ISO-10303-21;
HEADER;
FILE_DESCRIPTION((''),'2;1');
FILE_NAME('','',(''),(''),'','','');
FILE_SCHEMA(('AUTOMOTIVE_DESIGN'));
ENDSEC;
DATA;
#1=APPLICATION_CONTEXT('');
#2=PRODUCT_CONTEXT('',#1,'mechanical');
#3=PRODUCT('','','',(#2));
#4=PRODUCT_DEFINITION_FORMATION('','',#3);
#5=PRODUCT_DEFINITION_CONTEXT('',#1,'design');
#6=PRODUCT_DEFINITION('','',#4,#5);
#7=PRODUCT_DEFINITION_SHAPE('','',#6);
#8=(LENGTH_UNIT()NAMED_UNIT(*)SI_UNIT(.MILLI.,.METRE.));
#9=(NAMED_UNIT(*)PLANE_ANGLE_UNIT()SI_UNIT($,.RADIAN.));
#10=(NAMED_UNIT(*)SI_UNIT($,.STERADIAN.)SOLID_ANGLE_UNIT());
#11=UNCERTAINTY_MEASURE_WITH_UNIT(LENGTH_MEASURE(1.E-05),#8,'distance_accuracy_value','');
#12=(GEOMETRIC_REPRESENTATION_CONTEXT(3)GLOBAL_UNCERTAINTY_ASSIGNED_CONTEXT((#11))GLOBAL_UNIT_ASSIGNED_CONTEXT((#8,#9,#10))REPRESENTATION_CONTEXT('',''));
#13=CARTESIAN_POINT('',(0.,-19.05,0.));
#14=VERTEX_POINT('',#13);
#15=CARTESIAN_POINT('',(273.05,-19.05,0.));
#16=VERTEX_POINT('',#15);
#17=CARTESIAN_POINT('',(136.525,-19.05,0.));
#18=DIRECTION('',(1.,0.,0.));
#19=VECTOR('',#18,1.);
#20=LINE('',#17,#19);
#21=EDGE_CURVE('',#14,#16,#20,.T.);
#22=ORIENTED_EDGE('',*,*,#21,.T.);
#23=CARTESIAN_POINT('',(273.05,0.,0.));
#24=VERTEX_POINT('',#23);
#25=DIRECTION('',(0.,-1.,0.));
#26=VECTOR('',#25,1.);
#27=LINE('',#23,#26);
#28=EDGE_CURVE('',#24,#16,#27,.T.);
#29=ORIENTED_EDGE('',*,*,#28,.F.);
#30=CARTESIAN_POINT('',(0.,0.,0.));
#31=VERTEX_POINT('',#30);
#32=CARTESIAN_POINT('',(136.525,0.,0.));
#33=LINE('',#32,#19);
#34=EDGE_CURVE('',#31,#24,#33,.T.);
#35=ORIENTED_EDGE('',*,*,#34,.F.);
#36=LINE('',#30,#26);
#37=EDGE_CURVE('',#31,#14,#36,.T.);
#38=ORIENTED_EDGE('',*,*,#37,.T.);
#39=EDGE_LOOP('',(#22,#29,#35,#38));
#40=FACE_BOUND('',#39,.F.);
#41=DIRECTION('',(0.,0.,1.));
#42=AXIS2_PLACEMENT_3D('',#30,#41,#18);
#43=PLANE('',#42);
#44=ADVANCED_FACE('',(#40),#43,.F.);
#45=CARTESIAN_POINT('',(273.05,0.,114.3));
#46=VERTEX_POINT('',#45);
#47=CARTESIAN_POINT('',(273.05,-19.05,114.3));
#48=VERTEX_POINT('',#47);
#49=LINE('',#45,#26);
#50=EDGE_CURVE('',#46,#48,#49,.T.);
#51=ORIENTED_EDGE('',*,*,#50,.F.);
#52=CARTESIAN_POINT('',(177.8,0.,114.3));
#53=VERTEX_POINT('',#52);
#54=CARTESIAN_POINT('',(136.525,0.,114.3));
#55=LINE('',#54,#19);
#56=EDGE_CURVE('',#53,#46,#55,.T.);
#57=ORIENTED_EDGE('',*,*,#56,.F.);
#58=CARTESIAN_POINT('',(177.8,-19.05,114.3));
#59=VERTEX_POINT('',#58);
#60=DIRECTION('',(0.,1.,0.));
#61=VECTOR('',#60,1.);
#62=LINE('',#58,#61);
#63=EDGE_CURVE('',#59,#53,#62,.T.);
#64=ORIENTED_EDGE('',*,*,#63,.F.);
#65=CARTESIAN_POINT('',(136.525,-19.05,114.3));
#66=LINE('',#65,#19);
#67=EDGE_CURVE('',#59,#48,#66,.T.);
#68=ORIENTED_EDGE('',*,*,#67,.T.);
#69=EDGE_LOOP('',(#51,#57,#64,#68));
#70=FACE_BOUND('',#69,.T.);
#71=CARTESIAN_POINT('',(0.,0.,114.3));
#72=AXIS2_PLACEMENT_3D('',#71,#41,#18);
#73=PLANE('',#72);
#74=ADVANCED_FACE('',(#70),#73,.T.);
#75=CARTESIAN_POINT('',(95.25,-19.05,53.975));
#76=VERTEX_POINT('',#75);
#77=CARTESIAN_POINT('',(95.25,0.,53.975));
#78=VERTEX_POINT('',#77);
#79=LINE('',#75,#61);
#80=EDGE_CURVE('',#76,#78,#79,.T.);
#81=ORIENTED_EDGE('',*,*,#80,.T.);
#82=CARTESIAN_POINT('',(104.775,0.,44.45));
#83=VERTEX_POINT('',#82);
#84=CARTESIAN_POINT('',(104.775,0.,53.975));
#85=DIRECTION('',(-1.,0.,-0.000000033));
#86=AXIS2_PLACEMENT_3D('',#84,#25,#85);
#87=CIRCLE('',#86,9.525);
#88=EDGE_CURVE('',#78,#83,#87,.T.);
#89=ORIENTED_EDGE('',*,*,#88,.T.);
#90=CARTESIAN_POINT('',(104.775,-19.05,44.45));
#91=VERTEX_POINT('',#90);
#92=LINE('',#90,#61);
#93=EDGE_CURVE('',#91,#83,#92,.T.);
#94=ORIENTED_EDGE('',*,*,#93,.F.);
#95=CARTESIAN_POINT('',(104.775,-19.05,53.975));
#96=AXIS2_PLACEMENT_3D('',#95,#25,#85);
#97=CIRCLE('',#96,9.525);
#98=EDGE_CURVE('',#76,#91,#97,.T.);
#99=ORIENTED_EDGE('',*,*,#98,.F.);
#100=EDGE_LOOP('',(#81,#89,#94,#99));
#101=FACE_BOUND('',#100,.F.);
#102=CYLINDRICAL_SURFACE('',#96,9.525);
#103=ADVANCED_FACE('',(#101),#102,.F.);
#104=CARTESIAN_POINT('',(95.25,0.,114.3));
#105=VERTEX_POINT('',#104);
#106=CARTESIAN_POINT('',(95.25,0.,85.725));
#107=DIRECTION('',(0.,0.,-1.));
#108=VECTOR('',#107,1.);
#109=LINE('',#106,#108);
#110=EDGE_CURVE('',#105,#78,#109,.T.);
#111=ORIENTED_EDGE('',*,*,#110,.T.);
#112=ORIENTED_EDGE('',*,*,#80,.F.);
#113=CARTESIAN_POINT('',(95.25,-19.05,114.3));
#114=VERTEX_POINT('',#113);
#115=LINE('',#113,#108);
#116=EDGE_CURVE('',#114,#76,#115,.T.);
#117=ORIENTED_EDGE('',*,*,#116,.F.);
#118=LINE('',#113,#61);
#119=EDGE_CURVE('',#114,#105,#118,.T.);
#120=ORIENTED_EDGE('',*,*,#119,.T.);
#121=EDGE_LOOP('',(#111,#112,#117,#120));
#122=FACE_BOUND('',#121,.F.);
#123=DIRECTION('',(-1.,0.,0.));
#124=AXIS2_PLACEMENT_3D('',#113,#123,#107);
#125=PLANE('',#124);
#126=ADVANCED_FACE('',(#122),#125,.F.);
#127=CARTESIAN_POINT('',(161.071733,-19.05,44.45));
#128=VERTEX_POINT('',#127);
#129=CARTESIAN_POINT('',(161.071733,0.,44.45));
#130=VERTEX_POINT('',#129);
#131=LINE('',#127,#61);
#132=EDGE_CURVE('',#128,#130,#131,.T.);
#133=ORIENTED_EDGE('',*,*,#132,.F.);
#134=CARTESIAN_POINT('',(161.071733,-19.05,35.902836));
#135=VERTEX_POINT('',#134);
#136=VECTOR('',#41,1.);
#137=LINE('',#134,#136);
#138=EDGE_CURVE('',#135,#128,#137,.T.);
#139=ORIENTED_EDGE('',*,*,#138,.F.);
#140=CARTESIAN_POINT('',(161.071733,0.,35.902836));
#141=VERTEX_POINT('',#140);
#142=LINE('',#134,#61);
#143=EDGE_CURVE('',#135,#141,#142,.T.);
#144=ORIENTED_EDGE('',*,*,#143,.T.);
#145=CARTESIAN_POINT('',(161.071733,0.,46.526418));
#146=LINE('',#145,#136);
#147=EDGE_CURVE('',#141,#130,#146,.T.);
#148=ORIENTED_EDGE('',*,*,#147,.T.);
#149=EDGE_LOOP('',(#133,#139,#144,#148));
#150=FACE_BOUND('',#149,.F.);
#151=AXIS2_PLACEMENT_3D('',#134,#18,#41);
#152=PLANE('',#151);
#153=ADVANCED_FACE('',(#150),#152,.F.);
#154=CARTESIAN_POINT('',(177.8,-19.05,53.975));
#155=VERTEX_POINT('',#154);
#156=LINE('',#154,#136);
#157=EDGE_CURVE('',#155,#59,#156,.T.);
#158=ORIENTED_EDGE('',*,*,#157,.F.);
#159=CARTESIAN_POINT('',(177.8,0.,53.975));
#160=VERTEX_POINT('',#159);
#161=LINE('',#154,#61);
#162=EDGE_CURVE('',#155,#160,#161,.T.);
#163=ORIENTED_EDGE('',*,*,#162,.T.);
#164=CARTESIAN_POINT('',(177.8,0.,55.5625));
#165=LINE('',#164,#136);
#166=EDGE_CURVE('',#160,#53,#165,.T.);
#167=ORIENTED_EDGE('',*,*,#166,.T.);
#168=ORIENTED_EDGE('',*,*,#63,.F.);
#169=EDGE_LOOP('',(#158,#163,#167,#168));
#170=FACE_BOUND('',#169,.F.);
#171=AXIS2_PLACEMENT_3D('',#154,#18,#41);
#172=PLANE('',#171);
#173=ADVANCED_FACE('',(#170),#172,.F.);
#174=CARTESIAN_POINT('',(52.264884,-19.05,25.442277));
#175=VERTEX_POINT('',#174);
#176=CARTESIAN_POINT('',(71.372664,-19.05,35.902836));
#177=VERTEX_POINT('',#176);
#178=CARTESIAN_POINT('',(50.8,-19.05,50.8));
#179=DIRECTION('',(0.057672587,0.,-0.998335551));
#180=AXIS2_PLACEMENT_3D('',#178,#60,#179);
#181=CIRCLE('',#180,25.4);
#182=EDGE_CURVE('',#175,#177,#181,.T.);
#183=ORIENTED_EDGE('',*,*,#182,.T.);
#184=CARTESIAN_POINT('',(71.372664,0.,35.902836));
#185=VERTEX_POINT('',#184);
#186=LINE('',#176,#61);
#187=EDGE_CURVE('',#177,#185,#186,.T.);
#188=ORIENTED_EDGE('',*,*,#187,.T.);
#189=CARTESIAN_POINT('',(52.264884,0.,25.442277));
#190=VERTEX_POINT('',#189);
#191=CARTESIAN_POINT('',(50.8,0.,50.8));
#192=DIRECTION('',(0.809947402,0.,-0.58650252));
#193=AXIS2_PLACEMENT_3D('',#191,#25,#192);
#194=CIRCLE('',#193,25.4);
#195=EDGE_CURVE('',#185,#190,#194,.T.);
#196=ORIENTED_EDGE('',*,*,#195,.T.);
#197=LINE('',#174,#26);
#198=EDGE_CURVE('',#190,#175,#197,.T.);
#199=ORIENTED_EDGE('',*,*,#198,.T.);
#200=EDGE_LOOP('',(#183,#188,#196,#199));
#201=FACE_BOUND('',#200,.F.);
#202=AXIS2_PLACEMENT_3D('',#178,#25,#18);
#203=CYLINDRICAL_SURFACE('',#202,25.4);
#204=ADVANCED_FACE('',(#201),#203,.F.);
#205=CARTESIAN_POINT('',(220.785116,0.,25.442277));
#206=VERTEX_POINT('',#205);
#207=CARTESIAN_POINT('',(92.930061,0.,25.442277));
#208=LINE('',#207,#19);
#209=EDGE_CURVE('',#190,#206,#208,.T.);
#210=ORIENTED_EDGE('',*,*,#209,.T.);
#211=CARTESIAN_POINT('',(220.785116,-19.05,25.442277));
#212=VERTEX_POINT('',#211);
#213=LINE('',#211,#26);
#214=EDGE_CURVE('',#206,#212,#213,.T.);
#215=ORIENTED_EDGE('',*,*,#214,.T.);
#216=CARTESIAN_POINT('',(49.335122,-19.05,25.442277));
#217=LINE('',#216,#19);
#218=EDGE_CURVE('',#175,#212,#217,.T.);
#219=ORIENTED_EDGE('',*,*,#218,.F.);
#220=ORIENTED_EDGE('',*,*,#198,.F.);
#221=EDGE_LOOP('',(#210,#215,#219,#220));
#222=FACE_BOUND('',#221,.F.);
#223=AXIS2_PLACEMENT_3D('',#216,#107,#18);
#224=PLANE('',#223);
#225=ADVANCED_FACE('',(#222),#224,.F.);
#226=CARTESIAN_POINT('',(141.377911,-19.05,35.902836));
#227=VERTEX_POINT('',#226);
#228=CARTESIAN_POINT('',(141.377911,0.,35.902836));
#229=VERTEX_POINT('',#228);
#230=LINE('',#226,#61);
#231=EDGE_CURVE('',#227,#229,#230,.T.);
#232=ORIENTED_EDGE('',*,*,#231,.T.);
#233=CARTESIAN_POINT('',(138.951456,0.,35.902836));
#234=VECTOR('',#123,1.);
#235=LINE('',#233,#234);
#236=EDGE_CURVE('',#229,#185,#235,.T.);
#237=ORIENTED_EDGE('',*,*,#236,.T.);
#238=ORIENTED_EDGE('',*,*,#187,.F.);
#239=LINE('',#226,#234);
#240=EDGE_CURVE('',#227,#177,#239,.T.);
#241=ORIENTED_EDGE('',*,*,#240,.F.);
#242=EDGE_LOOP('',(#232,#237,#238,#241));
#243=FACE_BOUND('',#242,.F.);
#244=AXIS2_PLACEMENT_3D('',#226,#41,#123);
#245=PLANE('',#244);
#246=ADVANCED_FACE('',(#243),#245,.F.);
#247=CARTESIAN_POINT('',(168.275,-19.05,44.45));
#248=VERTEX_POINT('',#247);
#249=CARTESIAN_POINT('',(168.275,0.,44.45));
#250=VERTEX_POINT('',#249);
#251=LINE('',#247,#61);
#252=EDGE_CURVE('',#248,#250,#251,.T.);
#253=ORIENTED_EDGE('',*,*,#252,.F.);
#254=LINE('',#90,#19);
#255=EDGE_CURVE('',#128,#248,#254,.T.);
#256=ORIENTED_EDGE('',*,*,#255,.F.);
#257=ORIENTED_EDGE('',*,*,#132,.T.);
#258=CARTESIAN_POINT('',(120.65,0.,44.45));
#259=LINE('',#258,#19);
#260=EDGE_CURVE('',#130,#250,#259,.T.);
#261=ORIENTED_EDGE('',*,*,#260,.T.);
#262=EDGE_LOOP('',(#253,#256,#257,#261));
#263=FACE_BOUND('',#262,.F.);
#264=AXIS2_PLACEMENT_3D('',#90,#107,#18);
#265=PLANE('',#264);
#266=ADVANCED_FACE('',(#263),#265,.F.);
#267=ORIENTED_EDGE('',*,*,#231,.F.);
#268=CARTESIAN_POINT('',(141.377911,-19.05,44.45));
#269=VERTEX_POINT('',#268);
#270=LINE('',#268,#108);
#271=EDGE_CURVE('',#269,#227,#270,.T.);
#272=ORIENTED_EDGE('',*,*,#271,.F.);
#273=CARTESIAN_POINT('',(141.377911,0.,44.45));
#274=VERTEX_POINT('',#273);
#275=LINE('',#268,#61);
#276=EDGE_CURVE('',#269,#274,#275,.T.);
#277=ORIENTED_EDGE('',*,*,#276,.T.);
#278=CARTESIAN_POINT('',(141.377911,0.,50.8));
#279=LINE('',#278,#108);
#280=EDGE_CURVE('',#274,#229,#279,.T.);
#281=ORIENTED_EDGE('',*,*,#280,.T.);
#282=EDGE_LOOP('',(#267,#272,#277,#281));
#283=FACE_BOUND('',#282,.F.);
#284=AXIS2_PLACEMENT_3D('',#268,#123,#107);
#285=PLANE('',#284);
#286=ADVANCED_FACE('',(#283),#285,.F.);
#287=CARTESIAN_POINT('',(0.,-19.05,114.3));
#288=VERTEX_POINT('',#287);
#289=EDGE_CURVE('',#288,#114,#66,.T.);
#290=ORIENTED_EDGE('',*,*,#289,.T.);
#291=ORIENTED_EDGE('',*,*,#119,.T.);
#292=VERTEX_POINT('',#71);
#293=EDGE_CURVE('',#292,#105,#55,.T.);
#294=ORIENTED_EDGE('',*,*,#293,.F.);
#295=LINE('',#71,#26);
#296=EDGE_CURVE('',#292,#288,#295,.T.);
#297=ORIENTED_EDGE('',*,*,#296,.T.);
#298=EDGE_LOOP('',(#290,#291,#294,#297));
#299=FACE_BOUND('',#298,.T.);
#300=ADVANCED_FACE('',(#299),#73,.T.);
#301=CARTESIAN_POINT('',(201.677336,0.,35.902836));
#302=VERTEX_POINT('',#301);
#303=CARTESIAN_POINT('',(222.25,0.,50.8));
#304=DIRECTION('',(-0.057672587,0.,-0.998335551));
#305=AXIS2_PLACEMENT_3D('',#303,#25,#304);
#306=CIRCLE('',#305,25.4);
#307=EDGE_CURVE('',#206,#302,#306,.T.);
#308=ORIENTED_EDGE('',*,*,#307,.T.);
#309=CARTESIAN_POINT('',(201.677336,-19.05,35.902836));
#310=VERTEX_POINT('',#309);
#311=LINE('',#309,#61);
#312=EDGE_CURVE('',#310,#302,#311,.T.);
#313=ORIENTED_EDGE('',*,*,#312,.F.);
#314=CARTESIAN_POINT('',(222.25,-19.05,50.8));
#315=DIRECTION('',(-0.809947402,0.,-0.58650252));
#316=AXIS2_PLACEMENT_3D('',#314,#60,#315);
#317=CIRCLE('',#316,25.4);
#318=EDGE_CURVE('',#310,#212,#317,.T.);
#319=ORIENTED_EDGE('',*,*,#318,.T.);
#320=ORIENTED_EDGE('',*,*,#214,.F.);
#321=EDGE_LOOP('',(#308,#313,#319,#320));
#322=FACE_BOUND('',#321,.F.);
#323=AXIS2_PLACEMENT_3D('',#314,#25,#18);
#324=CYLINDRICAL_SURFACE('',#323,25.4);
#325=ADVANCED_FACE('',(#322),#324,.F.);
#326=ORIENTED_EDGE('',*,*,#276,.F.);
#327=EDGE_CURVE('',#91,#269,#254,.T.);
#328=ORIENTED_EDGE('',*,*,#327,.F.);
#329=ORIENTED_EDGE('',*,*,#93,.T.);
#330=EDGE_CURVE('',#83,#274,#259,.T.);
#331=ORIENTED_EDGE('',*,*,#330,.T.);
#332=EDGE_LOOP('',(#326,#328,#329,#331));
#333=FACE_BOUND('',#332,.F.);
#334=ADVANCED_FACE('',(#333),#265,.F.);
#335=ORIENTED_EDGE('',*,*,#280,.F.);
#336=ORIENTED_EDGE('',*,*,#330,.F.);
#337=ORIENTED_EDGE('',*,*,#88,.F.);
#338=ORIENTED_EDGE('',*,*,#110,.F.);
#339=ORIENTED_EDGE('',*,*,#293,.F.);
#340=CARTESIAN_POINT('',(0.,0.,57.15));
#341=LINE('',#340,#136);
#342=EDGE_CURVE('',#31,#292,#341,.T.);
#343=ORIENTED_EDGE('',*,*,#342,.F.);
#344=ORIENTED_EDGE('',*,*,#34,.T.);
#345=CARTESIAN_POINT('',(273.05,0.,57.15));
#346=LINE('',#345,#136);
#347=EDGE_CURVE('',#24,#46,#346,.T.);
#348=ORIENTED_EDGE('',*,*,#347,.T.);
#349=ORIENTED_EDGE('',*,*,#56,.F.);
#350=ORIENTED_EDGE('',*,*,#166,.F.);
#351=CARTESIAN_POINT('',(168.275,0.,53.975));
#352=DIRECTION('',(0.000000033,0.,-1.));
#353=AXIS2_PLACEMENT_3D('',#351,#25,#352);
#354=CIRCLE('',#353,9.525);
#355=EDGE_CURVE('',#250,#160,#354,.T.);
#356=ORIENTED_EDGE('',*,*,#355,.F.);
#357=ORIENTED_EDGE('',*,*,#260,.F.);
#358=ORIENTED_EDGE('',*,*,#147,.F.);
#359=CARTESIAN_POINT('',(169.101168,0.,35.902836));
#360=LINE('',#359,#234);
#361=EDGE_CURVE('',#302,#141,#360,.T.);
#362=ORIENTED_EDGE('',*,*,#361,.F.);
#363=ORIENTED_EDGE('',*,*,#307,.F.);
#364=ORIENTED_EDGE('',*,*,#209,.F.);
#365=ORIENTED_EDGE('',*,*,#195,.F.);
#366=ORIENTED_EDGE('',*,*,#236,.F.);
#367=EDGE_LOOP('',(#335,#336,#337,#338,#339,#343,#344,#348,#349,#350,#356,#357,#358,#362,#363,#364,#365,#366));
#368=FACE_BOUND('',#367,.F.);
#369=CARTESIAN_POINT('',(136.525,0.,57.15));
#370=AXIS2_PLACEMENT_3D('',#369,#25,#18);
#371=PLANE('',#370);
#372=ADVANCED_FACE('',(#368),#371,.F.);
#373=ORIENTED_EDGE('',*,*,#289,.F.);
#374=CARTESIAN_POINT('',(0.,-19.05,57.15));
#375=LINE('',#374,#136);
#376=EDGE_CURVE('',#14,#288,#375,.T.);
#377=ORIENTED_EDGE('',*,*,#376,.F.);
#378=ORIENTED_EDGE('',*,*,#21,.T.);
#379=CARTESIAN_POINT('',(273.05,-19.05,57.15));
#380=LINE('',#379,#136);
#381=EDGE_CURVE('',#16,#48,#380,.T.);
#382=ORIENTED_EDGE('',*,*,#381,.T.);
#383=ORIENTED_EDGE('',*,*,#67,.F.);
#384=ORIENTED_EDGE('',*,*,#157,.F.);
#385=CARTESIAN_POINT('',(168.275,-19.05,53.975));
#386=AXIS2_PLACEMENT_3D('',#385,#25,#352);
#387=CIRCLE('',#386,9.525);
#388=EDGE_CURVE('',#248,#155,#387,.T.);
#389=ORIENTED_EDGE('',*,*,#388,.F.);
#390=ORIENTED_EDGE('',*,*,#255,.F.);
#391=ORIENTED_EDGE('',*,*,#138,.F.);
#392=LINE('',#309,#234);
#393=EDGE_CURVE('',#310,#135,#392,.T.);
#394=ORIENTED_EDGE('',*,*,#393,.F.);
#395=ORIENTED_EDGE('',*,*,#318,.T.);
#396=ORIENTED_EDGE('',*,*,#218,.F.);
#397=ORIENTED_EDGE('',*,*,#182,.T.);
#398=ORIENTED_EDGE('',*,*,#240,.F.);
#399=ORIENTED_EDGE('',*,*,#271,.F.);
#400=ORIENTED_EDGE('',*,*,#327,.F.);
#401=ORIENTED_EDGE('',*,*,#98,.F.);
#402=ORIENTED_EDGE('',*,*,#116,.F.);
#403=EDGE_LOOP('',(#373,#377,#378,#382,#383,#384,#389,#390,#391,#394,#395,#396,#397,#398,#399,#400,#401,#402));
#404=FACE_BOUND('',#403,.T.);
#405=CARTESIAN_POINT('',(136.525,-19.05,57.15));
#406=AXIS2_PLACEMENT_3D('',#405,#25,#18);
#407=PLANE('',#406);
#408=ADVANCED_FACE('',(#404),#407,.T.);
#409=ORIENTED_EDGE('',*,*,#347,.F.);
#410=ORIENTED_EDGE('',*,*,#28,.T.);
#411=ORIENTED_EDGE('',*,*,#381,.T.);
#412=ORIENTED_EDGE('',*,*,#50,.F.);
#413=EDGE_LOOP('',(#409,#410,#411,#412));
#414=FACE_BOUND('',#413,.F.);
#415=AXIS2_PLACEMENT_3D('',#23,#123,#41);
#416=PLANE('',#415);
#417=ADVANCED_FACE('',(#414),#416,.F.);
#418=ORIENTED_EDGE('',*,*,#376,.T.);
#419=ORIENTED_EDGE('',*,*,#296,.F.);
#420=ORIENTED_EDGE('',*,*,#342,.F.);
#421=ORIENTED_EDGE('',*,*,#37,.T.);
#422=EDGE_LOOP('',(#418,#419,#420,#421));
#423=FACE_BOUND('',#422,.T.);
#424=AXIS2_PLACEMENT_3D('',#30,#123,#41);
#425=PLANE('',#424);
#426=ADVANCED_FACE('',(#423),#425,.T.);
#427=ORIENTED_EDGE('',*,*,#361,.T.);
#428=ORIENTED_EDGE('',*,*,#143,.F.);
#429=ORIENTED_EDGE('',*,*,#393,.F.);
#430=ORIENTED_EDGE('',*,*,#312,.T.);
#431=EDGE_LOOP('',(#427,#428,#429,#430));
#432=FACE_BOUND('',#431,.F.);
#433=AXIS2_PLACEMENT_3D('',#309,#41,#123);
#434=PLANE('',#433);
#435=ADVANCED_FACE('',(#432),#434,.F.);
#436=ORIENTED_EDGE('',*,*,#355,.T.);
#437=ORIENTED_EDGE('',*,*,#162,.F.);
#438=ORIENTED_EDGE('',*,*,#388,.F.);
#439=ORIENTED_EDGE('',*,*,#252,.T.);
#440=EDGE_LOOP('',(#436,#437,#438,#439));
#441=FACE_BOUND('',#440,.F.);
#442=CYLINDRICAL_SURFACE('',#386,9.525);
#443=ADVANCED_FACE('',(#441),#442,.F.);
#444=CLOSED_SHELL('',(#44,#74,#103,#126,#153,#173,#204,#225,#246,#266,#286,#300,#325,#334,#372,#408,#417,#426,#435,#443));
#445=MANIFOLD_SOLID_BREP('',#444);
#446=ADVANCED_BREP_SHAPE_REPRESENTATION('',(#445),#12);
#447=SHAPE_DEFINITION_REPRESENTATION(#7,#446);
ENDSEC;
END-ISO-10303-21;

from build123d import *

# Parameters (mm, degrees)
F0_W     = 273.05
F0_H     = 114.3
F1_DEPTH = 19.05
F2_R     = 25.4
F3_DEPTH = 25.4
F5_DEPTH = 25.4
F7_DEPTH = 25.4


with BuildPart() as f1:
    # F0 (on Front) → F1 (new body)
    with BuildSketch(Plane.XZ):
        with Locations((136.525, 57.15)):
            Rectangle(F0_W, F0_H)
    extrude(amount=F1_DEPTH)

    # F2 (on face) → F3 (cut)
    with BuildSketch(Plane.XZ.offset(19.05)):
        with Locations((50.8, 50.8)):
            Circle(F2_R)
        with Locations((222.25, 50.8)):
            Circle(F2_R)
    extrude(amount=-F3_DEPTH, mode=Mode.SUBTRACT)

    # F4 (on face) → F5 (cut)
    with BuildSketch(Plane.XZ.offset(19.05)):
        with BuildLine():
            Line((177.8, 114.3), (95.25, 114.3))
            Line((95.25, 114.3), (95.25, 53.975))
            ThreePointArc((95.25, 53.975), (98.039808, 47.239808), (104.775, 44.45))
            Line((104.775, 44.45), (168.275, 44.45))
            ThreePointArc((168.275, 44.45), (175.010192, 47.239808), (177.8, 53.975))
            Line((177.8, 53.975), (177.8, 114.3))
        make_face()
    extrude(amount=-F5_DEPTH, mode=Mode.SUBTRACT)

    # F6 (on face) → F7 (cut)
    with BuildSketch(Plane.XZ.offset(19.05)):
        Polygon((71.372664, 35.902836), (49.335122, 25.442277), (223.714878, 25.442277), (201.677336, 35.902836), (161.071733, 35.902836), (161.071733, 44.45), (141.377911, 44.45), (141.377911, 35.902836), align=None)
    extrude(amount=-F7_DEPTH, mode=Mode.SUBTRACT)


solid = f1.part
